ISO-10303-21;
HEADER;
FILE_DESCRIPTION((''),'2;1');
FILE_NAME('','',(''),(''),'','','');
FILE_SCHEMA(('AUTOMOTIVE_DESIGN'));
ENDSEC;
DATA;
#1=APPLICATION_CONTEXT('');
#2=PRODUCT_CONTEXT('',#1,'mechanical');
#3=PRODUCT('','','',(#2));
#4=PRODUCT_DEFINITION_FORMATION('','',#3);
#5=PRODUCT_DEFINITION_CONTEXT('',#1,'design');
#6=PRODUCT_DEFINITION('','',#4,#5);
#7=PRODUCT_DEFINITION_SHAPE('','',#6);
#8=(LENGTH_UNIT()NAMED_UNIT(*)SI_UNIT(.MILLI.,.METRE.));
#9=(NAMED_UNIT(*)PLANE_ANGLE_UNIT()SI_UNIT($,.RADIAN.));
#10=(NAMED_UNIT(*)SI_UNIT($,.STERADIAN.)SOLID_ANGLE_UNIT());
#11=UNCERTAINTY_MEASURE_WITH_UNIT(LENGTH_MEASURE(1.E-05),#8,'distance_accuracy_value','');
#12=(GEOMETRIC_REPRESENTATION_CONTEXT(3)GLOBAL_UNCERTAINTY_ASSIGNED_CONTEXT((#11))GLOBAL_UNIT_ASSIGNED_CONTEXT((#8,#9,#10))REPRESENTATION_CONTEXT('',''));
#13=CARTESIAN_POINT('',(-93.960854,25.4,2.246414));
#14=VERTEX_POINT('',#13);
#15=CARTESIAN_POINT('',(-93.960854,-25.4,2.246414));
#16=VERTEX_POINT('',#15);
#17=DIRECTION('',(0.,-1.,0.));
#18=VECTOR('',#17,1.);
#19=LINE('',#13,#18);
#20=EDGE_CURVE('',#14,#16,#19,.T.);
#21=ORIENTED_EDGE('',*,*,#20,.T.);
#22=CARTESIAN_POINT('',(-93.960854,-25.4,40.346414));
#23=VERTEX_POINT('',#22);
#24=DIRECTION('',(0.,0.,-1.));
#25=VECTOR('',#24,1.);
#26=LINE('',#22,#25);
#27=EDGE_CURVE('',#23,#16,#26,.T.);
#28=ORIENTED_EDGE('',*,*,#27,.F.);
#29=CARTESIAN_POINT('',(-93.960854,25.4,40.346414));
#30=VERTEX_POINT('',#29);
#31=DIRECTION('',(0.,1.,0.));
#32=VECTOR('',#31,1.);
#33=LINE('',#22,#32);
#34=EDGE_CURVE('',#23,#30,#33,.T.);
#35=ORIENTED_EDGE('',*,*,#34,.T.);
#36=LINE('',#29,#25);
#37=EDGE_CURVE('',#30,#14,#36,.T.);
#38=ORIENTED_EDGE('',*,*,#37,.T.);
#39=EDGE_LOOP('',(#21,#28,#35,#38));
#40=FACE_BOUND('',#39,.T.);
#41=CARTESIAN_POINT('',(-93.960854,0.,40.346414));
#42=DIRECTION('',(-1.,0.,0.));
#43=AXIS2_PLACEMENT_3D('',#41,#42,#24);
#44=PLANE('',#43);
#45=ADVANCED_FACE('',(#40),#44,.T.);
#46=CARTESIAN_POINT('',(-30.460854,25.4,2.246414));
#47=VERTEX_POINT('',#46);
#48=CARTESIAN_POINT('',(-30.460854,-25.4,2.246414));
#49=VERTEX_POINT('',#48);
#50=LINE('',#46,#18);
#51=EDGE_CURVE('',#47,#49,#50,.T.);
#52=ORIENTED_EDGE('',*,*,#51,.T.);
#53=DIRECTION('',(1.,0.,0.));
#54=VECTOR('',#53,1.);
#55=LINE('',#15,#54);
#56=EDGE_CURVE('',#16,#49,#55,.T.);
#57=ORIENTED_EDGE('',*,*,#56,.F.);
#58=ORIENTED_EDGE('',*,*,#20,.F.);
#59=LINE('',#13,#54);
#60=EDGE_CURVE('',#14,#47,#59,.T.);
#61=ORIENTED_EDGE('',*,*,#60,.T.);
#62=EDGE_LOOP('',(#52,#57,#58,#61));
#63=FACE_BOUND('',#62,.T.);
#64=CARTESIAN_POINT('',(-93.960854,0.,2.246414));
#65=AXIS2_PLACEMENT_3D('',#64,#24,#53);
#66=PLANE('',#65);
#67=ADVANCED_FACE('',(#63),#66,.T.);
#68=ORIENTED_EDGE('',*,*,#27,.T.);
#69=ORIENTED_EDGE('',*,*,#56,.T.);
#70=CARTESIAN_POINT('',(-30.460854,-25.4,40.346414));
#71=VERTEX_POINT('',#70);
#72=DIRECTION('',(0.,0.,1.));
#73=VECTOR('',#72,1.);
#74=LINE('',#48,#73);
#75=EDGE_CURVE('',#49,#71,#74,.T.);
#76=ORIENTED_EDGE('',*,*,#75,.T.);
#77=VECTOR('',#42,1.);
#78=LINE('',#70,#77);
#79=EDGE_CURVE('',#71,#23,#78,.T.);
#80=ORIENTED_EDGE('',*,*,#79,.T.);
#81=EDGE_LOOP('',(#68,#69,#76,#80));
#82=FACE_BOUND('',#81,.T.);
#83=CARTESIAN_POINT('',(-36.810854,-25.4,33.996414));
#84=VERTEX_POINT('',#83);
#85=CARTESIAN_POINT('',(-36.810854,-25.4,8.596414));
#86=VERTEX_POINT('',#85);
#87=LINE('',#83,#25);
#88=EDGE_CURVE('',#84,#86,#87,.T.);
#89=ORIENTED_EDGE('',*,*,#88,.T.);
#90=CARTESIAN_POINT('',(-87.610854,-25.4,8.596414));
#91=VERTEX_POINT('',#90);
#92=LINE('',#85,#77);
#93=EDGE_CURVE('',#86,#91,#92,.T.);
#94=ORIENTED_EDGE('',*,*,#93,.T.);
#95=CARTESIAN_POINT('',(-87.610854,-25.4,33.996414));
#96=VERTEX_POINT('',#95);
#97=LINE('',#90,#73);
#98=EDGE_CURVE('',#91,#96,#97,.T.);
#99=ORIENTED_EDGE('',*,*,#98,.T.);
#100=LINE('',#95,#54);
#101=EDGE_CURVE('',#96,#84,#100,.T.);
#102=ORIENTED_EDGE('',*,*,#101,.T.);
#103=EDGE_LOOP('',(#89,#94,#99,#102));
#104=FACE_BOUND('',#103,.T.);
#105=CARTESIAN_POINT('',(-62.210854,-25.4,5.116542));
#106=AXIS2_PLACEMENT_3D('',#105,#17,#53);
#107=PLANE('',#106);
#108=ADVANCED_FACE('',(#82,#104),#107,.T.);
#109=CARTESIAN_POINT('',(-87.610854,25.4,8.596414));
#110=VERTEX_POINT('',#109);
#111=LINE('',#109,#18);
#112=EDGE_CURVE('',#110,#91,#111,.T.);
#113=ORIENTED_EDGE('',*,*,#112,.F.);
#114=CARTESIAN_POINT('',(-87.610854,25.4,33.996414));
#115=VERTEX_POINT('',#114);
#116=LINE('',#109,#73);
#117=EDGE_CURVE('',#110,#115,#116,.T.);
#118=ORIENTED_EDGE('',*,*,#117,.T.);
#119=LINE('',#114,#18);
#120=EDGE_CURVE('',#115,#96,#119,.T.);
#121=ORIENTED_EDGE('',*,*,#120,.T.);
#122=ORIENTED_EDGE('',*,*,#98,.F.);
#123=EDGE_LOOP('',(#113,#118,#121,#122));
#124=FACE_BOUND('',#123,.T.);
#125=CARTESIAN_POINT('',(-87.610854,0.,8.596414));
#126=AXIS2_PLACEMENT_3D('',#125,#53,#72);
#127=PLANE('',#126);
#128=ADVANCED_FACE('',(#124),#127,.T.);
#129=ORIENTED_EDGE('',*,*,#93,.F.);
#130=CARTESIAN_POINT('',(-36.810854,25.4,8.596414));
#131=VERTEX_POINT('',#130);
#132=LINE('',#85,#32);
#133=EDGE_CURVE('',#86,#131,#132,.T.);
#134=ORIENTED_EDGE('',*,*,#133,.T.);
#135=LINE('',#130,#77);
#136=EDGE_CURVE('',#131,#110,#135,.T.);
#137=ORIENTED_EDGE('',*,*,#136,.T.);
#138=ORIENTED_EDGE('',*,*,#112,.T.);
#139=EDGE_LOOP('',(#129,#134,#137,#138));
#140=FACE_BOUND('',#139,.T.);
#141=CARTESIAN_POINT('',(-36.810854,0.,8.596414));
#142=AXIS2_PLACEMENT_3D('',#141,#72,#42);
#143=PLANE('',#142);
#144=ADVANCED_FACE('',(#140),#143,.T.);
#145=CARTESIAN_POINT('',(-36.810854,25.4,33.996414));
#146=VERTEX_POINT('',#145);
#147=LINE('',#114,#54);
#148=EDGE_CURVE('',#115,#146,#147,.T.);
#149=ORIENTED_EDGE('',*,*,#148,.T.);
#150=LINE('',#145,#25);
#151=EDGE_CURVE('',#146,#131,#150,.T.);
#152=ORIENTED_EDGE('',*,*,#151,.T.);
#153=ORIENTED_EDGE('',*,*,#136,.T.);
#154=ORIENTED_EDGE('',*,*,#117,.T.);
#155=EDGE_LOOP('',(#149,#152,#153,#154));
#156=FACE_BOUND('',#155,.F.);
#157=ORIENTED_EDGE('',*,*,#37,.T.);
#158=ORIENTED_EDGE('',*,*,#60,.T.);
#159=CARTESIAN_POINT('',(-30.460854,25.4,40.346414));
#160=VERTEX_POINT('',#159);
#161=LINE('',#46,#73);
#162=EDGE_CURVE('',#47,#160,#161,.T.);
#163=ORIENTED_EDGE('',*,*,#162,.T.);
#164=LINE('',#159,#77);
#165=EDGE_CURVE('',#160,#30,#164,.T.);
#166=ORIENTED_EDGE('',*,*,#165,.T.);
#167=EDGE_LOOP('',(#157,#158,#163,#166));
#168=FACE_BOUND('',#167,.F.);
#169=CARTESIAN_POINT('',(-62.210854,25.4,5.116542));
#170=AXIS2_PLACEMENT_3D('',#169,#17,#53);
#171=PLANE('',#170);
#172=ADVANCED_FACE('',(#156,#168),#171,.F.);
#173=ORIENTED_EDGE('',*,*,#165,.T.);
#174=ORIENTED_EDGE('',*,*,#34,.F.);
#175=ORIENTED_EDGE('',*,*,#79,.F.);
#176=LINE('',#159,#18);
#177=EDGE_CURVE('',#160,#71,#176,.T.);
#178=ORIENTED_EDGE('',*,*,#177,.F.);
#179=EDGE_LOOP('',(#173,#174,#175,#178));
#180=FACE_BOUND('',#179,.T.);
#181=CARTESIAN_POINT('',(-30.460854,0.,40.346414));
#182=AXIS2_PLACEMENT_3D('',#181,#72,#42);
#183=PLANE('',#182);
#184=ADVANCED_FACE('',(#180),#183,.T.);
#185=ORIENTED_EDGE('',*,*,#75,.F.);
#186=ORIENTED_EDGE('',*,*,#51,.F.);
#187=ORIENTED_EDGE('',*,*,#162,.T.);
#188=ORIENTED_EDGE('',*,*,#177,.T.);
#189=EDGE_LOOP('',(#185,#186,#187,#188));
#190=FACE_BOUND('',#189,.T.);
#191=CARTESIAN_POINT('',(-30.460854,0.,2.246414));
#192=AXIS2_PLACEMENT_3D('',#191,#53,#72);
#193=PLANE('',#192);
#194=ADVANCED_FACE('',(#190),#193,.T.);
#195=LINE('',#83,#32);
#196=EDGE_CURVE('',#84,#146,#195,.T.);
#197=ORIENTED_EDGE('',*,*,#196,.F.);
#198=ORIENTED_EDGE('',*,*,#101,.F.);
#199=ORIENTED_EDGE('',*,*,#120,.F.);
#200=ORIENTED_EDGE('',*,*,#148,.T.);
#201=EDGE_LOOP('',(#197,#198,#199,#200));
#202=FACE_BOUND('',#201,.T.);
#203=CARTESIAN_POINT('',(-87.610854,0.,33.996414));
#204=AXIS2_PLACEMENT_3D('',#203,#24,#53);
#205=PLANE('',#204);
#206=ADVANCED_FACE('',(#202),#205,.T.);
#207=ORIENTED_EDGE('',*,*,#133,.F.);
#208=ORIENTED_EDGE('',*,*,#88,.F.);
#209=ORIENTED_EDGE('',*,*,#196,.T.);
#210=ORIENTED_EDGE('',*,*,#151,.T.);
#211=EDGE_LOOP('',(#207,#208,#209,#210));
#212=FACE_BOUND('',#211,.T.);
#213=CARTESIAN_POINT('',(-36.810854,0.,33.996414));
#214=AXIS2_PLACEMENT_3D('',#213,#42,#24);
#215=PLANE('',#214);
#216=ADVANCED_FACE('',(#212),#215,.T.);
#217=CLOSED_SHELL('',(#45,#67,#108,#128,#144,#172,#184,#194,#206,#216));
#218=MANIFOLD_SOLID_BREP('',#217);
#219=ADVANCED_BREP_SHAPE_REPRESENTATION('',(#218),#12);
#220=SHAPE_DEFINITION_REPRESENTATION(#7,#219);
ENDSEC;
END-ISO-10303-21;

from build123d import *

# Parameters (mm, degrees)
F1_DEPTH = 25.4
F2_DEPTH = 25.4


with BuildPart() as f1:
    # F0 (on Front) → F1 (new body)
    with BuildSketch(Plane.XZ):
        Polygon((-30.460854, 2.246414), (-36.810854, 8.596414), (-87.610854, 8.596414), (-93.960854, 2.246414), align=None)
        Polygon((-36.810854, 33.996414), (-36.810854, 8.596414), (-30.460854, 2.246414), (-30.460854, 40.346414), align=None)
        Polygon((-93.960854, 2.246414), (-87.610854, 8.596414), (-87.610854, 33.996414), (-93.960854, 40.346414), align=None)
        Polygon((-87.610854, 33.996414), (-36.810854, 33.996414), (-30.460854, 40.346414), (-93.960854, 40.346414), align=None)
    extrude(amount=F1_DEPTH)

    # F0 (on Front) → F2 (join)
    with BuildSketch(Plane.XZ):
        Polygon((-30.460854, 2.246414), (-36.810854, 8.596414), (-87.610854, 8.596414), (-93.960854, 2.246414), align=None)
        Polygon((-36.810854, 33.996414), (-36.810854, 8.596414), (-30.460854, 2.246414), (-30.460854, 40.346414), align=None)
        Polygon((-93.960854, 2.246414), (-87.610854, 8.596414), (-87.610854, 33.996414), (-93.960854, 40.346414), align=None)
        Polygon((-87.610854, 33.996414), (-36.810854, 33.996414), (-30.460854, 40.346414), (-93.960854, 40.346414), align=None)
    extrude(amount=-F2_DEPTH)


solid = f1.part
